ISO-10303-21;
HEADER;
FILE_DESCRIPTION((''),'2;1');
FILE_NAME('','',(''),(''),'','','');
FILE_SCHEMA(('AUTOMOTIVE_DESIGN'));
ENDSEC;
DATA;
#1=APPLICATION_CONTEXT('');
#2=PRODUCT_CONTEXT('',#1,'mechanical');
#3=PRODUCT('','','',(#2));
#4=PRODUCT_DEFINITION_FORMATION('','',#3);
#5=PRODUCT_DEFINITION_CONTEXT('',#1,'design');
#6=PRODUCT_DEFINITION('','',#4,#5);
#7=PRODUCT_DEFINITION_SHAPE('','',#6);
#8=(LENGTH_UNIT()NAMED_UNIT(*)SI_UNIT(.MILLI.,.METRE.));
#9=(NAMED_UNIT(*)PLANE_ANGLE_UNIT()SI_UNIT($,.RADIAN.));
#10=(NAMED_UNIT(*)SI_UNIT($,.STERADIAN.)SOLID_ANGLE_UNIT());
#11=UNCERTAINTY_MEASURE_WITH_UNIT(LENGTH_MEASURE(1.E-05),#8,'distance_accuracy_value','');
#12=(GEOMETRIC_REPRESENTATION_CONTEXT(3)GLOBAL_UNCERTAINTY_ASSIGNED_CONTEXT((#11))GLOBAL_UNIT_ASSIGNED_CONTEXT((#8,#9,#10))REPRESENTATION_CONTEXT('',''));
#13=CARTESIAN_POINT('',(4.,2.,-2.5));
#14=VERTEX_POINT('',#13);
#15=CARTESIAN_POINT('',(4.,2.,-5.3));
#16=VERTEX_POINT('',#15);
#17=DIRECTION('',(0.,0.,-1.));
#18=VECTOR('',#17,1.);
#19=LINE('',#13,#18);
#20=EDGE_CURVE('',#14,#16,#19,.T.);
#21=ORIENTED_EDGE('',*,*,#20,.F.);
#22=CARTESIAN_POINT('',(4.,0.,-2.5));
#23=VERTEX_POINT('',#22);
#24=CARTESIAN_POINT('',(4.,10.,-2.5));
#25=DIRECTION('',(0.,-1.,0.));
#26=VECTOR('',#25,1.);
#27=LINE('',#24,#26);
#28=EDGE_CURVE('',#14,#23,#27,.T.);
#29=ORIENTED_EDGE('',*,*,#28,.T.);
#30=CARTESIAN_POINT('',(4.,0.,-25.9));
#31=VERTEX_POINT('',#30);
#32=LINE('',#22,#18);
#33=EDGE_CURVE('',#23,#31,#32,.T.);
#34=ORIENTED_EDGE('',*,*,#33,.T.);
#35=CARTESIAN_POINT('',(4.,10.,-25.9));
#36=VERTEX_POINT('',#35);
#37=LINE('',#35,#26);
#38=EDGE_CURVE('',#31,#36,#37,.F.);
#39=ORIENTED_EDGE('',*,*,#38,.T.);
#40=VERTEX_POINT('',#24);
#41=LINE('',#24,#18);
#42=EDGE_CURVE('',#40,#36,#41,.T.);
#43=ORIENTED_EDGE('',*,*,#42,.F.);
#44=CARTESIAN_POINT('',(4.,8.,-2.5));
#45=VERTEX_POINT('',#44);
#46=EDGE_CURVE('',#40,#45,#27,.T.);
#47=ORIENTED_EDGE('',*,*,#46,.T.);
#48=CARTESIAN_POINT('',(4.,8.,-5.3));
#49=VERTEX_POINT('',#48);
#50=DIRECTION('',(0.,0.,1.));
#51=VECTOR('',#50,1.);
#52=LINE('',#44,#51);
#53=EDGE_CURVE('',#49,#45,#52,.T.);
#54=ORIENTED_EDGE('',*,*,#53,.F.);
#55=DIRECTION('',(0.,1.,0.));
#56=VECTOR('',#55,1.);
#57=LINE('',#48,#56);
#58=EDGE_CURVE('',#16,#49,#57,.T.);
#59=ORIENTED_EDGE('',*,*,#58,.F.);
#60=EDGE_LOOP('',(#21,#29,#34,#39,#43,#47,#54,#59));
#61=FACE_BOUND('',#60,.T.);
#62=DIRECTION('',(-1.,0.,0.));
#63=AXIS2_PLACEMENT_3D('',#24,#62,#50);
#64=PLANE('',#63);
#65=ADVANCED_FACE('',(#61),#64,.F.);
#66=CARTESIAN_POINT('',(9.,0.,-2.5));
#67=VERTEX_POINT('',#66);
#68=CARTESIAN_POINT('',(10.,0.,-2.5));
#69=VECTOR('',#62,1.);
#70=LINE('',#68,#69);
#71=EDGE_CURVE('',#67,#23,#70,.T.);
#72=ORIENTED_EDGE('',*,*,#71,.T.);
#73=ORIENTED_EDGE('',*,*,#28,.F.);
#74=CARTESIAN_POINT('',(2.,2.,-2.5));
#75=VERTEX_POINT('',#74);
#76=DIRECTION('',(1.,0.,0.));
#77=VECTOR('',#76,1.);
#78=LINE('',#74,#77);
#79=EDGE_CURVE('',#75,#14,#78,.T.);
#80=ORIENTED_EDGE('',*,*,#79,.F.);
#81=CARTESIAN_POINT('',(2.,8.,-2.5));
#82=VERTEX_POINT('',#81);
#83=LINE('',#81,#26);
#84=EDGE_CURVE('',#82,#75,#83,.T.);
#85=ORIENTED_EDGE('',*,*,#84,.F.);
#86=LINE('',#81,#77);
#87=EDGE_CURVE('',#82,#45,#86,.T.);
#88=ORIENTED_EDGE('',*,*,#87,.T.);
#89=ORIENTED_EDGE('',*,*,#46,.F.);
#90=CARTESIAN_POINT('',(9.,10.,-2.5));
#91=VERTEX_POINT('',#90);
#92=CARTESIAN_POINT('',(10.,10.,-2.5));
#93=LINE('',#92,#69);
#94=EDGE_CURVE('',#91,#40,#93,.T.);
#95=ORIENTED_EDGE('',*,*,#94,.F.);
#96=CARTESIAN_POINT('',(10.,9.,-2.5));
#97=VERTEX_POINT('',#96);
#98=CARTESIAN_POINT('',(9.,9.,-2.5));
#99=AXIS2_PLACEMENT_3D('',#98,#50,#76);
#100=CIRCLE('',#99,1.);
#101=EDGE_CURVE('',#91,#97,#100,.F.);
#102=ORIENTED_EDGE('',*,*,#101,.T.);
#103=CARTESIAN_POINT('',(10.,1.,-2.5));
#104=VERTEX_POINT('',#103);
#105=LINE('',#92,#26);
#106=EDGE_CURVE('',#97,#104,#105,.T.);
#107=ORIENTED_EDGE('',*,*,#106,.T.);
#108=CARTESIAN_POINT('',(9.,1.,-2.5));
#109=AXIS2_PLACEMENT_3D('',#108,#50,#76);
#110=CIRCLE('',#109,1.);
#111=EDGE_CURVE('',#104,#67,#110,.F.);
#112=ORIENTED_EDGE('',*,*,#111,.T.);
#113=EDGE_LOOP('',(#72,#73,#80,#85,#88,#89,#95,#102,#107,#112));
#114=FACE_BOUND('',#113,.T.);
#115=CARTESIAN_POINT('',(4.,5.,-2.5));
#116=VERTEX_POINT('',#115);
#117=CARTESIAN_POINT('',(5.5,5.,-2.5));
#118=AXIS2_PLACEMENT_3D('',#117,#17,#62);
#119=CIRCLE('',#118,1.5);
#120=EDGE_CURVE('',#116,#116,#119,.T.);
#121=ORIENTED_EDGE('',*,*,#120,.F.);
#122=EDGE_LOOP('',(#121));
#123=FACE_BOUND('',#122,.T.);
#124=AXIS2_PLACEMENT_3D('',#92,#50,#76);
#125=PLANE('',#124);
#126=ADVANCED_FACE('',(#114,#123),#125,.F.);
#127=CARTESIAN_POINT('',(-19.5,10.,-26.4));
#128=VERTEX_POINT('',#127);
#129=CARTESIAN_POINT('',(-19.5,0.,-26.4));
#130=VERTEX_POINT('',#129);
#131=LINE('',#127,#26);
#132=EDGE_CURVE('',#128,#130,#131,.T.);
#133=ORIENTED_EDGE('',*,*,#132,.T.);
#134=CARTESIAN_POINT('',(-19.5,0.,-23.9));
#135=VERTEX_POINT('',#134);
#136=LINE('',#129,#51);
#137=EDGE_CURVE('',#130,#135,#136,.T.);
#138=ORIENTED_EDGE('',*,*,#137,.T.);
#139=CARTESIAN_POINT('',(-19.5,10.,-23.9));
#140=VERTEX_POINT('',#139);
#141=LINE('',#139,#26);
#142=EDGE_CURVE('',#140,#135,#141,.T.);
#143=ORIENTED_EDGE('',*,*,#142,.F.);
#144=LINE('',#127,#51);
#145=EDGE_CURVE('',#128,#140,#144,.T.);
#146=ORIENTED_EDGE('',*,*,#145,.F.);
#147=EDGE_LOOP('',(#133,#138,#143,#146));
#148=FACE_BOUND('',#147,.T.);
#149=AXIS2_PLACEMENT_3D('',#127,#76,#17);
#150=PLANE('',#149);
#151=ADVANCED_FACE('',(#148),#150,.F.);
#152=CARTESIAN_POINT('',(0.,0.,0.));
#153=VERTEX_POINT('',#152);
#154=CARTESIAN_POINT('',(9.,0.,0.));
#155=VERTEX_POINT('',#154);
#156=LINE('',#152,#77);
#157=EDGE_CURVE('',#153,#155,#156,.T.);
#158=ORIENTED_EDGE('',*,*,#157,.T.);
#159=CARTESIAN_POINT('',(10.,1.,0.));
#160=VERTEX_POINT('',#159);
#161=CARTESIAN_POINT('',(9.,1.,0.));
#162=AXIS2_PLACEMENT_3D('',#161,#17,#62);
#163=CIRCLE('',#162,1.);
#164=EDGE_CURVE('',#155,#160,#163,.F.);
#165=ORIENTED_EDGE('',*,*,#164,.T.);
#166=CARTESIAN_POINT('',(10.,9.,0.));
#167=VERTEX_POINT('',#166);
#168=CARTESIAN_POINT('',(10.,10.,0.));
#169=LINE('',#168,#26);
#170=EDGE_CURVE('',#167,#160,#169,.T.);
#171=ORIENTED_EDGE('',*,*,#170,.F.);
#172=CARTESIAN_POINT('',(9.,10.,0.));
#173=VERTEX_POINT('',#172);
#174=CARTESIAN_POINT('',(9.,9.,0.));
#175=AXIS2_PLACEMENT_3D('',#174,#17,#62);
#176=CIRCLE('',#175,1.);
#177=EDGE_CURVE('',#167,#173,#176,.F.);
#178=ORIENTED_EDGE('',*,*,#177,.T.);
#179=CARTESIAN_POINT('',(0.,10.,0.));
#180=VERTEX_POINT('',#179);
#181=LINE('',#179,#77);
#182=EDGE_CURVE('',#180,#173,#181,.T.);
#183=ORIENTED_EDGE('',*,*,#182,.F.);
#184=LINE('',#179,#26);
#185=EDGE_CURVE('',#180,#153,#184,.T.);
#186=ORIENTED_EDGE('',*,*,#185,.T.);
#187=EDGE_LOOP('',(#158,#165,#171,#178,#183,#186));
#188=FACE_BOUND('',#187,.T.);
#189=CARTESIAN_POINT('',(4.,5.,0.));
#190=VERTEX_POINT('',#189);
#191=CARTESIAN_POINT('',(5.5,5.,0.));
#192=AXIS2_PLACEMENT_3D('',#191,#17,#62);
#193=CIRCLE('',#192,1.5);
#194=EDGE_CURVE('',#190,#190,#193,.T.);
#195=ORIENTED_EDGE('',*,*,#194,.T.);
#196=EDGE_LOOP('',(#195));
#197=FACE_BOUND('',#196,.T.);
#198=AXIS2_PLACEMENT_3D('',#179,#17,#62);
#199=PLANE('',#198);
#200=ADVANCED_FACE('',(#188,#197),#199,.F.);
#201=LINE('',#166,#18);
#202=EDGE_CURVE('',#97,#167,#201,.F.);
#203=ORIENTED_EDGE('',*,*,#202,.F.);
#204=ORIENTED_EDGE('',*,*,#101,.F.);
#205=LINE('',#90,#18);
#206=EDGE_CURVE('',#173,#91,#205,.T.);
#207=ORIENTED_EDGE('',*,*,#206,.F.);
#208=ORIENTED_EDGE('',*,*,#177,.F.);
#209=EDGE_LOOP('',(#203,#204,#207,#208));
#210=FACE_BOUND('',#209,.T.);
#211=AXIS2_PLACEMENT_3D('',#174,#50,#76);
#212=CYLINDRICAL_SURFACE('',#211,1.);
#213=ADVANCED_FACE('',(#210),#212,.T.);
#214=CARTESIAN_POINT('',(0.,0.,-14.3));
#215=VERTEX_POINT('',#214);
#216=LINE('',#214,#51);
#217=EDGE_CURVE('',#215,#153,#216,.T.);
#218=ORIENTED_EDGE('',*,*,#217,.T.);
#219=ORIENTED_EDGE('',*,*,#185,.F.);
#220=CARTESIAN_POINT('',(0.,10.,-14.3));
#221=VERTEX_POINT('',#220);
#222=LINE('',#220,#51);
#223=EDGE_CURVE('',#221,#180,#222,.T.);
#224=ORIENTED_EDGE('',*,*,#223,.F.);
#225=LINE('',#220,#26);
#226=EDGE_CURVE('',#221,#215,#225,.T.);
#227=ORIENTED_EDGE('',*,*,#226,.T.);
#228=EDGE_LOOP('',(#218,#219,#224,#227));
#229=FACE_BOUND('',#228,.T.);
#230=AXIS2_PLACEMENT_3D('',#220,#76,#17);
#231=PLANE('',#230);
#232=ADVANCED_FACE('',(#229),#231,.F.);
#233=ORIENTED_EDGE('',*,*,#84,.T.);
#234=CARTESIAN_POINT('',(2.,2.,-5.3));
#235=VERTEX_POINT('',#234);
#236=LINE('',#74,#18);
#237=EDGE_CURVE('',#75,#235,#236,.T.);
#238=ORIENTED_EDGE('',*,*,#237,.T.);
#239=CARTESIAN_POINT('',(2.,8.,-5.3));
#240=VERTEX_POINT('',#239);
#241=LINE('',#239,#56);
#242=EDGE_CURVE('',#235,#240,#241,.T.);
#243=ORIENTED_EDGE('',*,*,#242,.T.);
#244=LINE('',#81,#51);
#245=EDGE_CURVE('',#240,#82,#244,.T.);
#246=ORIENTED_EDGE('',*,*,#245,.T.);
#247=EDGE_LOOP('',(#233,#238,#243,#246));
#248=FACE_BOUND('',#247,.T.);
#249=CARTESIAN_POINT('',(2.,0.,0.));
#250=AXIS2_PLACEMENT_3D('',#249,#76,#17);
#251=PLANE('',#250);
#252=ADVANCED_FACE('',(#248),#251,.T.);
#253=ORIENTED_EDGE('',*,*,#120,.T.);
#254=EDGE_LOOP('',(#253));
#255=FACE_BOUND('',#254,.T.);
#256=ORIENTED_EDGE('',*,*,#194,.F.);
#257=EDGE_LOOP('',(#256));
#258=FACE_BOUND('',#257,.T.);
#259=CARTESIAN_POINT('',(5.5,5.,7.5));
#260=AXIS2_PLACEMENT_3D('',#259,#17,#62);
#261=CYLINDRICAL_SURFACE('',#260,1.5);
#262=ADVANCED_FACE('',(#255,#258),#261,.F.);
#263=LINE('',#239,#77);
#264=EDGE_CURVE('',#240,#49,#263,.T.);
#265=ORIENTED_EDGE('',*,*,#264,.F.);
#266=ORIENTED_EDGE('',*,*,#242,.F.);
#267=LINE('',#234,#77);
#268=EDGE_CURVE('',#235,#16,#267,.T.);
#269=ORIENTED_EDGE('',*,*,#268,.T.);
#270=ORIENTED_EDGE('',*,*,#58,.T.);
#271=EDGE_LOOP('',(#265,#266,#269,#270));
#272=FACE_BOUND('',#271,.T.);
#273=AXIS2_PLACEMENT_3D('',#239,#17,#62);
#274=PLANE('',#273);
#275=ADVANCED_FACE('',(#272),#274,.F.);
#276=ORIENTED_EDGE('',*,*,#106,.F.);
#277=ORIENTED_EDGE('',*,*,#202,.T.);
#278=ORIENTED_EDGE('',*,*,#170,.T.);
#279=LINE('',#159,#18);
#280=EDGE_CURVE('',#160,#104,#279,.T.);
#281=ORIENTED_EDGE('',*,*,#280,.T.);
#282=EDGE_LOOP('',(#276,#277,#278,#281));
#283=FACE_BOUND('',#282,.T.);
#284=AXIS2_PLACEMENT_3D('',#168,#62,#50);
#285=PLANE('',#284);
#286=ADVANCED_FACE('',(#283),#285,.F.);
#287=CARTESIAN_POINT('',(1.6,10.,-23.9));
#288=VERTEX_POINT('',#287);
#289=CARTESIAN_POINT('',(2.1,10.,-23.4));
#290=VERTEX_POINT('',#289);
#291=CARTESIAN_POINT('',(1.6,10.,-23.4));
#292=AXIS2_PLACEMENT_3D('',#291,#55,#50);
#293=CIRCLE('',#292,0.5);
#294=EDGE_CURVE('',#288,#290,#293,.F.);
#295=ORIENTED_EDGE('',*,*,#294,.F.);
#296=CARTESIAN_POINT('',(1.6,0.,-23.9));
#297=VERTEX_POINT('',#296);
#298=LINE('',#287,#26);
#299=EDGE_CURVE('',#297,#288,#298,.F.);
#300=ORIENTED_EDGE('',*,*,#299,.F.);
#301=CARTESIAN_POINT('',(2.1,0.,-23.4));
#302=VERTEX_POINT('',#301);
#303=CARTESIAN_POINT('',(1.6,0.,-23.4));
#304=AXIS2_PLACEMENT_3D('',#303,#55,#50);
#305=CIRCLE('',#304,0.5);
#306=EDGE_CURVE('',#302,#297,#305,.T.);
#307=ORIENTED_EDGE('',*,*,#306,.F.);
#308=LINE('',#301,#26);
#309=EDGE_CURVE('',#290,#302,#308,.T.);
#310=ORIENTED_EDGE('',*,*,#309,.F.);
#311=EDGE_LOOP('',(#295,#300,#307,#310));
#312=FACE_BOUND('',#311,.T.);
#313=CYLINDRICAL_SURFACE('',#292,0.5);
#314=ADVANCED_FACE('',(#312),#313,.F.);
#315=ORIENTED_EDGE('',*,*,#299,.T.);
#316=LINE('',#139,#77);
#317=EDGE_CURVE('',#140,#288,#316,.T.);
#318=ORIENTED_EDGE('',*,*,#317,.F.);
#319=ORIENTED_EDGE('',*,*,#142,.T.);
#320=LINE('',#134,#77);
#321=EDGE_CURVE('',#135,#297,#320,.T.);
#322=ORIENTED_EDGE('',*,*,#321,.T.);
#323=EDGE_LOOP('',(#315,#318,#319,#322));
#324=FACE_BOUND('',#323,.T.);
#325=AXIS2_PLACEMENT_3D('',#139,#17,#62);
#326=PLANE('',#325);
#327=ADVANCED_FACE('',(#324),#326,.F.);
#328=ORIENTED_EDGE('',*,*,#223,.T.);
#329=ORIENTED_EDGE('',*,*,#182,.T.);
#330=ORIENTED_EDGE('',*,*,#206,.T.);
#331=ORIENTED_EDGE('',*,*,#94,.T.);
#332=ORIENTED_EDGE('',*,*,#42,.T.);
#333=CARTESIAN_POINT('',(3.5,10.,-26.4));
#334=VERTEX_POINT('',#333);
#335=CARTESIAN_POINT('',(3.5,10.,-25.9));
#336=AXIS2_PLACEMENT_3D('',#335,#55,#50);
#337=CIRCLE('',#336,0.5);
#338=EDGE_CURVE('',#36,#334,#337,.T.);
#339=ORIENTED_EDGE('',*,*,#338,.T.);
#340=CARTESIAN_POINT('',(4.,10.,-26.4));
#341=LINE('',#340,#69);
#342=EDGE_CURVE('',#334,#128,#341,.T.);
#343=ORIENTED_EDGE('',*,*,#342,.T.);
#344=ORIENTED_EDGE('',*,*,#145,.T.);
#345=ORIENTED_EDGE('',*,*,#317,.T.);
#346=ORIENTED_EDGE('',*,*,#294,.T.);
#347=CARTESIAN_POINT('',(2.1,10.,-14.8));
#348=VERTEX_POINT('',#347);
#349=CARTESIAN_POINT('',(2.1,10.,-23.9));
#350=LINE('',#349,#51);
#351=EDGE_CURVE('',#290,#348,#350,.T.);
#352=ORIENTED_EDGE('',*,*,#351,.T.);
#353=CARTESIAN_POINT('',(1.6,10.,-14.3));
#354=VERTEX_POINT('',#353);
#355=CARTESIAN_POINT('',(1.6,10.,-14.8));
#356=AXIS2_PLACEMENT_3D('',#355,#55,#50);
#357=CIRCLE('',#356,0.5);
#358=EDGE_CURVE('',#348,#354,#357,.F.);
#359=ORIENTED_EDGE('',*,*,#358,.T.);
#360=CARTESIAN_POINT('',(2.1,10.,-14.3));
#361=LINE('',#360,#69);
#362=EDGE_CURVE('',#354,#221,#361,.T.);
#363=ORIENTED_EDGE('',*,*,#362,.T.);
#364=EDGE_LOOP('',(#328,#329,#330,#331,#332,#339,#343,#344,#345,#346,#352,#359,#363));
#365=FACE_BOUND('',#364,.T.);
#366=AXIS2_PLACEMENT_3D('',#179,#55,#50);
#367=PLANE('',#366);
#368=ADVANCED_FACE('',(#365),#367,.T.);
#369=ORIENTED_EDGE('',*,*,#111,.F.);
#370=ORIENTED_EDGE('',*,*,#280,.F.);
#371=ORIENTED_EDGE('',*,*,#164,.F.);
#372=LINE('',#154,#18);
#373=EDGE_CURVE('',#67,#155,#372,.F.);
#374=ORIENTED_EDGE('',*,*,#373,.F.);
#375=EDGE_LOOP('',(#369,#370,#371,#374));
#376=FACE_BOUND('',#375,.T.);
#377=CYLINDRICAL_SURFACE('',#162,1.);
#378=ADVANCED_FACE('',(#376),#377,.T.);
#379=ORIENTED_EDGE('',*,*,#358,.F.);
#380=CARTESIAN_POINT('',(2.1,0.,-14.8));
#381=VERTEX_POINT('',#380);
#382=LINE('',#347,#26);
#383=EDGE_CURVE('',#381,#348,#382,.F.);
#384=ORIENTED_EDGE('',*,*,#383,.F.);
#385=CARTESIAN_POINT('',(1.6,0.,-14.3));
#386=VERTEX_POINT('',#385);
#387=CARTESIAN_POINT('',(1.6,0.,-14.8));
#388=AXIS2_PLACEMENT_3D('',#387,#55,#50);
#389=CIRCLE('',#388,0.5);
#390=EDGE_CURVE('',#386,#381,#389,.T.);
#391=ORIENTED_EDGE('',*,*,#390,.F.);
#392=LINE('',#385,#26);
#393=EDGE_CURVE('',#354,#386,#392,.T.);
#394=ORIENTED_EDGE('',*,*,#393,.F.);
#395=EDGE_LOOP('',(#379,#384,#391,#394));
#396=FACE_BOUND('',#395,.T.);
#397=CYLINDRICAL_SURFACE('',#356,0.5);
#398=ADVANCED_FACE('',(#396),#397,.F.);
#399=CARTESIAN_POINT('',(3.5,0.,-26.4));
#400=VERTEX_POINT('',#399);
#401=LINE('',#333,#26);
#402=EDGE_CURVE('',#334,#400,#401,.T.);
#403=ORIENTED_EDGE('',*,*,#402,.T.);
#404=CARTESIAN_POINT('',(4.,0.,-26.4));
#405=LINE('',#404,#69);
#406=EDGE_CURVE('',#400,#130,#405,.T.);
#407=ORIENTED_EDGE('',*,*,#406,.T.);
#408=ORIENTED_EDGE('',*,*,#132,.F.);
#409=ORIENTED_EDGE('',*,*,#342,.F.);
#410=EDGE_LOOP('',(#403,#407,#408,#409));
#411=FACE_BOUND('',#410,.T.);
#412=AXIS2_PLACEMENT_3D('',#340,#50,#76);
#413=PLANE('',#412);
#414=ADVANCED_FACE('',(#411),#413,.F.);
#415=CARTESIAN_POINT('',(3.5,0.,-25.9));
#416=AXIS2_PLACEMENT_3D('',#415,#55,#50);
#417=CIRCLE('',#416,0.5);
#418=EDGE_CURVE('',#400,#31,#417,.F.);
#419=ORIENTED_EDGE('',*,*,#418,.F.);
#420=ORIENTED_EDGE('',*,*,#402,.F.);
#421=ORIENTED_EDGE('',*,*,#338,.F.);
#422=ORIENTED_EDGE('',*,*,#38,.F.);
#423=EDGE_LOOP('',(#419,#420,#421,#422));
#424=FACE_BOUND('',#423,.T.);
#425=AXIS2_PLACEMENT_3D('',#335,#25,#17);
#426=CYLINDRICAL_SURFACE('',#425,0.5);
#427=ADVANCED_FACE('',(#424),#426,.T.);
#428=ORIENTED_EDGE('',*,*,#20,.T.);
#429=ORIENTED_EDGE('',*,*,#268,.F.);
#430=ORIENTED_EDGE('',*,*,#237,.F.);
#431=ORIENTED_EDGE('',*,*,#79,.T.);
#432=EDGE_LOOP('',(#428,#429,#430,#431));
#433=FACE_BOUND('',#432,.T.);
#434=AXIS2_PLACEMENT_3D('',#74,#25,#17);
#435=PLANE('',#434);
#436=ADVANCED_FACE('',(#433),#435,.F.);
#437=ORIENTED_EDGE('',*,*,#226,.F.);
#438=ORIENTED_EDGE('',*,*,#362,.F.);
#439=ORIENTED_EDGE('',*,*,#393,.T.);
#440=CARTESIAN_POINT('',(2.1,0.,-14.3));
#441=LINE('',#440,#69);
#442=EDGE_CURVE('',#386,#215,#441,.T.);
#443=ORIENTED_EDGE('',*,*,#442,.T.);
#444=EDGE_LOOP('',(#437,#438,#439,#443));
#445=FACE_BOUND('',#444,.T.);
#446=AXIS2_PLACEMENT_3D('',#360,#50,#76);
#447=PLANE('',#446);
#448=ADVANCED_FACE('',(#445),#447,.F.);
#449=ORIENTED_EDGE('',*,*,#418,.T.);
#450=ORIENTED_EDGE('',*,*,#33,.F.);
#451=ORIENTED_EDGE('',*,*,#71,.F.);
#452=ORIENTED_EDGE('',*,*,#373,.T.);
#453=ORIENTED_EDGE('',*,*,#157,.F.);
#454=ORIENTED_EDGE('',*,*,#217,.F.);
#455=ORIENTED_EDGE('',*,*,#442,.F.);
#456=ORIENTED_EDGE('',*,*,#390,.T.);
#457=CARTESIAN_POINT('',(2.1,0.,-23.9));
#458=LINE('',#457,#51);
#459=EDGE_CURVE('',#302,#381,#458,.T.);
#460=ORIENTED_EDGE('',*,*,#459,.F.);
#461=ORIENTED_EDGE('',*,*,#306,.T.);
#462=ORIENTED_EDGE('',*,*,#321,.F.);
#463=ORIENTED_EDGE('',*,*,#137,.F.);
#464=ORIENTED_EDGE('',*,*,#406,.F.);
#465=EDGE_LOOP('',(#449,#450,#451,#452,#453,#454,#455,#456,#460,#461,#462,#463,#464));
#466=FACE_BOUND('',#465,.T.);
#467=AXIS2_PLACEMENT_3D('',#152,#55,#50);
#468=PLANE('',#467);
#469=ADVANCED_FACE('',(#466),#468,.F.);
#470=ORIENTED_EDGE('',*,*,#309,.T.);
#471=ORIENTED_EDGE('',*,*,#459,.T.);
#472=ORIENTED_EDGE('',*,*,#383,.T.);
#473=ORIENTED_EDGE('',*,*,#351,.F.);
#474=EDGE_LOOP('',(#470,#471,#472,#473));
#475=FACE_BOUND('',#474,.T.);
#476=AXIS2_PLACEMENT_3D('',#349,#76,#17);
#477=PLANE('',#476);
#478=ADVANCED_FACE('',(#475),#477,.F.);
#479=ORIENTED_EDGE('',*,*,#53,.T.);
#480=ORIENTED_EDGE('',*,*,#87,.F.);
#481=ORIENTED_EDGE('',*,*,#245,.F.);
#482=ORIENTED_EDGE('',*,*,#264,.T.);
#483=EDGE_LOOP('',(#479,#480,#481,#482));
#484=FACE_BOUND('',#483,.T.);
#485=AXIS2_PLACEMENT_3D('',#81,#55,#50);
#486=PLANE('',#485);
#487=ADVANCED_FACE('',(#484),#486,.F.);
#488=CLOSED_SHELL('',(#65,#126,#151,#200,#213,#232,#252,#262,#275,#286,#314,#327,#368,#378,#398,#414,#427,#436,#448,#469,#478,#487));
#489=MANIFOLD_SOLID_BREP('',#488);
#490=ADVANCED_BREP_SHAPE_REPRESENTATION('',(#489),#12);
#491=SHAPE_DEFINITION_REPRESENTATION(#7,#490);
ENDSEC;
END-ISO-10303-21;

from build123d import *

# Parameters (mm, degrees)
EXTRUDE_1_DEPTH     = 10
SKETCH_2_R          = 1.5
CUT_EXTRUDE_1_DEPTH = 10
FILLET_1_R          = 0.5
FILLET_2_R          = 0.5
FILLET_3_R          = 1
SKETCH_3_W          = 2.8
SKETCH_3_H          = 6
CUT_EXTRUDE_2_DEPTH = 2


with BuildPart() as part:
    # 草图1 → 凸台-拉伸1 (new body)
    with BuildSketch(Plane(origin=(0, 0, 0), x_dir=(1, 0, 0), z_dir=(0, 1, 0))):
        Polygon((0, 0), (10, 0), (10, 2.5), (4, 2.5), (4, 26.4), (-19.5, 26.4), (-19.5, 23.9), (2.1, 23.9), (2.1, 14.3), (0, 14.3), align=None)
    extrude(amount=EXTRUDE_1_DEPTH)

    # 草图2 → 切除-拉伸1 (cut)
    with BuildSketch(Plane(origin=(0, 0, -2.5), x_dir=(-1, 0, 0), z_dir=(0, 0, -1))):
        with Locations((-5.5, 5)):
            Circle(SKETCH_2_R)
    extrude(amount=-CUT_EXTRUDE_1_DEPTH, mode=Mode.SUBTRACT)

    # 圆角1
    fillet_1_edges = [part.edges().sort_by_distance(p)[0] for p in [
        (2.1, 5, -23.9),
        (4, 5, -26.4),
    ]]
    fillet(fillet_1_edges, radius=FILLET_1_R)

    # 圆角2
    fillet_2_edges = [part.edges().sort_by_distance(p)[0] for p in [
        (2.1, 5, -14.3),
    ]]
    fillet(fillet_2_edges, radius=FILLET_2_R)

    # 圆角3
    fillet_3_edges = [part.edges().sort_by_distance(p)[0] for p in [
        (10, 10, -1.25),
        (10, 0, -1.25),
    ]]
    fillet(fillet_3_edges, radius=FILLET_3_R)

    # 草图3 → 切除-拉伸2 (cut)
    with BuildSketch(Plane(origin=(4, 0, 0), x_dir=(0, 0, -1), z_dir=(1, 0, 0))):
        with Locations((3.9, 5)):
            Rectangle(SKETCH_3_W, SKETCH_3_H)
    extrude(amount=-CUT_EXTRUDE_2_DEPTH, mode=Mode.SUBTRACT)


solid = part.part
